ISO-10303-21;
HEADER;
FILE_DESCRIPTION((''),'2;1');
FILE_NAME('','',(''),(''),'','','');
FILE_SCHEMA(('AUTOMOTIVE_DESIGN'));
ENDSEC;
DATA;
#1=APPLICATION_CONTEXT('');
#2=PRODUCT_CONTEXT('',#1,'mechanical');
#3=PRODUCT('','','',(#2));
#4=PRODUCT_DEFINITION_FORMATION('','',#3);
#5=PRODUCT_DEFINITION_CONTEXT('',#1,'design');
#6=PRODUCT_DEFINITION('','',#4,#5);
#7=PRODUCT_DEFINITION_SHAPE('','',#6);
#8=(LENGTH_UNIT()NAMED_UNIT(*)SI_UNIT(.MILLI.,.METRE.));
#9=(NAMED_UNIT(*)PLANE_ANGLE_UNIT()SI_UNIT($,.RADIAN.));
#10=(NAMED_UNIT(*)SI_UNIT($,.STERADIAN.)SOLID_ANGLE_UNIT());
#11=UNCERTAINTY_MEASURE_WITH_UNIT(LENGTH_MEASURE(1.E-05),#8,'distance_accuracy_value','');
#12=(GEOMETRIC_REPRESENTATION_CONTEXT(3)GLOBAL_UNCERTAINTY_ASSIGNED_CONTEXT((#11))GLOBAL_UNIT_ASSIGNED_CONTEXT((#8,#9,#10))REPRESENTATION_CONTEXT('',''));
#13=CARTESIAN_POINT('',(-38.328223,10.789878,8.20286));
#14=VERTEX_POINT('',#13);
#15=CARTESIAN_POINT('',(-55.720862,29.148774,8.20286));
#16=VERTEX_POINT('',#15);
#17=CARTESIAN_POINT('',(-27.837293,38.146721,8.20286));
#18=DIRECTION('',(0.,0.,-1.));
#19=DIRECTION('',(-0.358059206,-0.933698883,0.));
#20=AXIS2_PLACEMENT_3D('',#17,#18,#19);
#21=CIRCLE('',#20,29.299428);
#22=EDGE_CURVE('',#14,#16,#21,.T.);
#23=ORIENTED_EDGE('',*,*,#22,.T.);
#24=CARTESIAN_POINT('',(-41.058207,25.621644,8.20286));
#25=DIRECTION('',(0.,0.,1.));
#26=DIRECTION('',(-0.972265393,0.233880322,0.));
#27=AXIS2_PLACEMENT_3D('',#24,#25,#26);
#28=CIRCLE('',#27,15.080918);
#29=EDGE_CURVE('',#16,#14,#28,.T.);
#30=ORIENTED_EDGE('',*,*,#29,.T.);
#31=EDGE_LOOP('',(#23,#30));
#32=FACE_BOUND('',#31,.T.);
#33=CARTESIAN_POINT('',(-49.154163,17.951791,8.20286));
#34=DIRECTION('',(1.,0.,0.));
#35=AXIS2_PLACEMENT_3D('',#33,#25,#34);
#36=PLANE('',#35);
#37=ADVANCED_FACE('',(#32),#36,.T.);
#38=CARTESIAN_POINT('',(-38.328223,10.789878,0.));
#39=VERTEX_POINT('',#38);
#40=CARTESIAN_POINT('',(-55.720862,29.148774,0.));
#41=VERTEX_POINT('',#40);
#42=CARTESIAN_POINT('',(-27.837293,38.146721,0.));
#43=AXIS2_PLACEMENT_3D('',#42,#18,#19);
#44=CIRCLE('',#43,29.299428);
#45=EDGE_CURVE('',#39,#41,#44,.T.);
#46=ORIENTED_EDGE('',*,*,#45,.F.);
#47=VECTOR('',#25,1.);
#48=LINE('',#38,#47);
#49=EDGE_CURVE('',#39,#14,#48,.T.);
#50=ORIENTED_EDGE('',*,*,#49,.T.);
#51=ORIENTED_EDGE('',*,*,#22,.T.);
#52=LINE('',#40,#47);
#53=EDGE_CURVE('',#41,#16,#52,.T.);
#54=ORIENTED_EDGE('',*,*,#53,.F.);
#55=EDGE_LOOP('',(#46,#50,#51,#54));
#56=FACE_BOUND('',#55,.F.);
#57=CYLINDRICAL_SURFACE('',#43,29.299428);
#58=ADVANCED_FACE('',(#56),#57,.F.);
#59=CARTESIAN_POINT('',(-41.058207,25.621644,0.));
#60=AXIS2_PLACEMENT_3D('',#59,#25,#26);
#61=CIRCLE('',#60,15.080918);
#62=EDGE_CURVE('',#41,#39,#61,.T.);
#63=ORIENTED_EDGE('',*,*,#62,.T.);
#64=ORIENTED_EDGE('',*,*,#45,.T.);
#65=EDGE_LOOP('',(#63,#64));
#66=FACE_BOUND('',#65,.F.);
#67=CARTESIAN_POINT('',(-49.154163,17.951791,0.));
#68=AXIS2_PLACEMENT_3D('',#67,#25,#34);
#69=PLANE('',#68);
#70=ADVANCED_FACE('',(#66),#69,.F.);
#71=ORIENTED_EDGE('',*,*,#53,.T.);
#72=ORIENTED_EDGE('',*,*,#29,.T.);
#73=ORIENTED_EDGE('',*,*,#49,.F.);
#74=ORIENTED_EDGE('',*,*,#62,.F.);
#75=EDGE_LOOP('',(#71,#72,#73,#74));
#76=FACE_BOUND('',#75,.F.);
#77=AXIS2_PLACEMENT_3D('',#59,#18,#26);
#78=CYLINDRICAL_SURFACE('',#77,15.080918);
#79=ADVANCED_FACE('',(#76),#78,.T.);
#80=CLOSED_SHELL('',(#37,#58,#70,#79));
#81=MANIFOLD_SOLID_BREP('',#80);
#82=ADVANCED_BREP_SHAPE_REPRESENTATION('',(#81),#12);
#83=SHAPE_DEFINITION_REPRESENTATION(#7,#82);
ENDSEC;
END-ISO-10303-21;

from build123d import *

# Parameters (mm, degrees)
F1_DEPTH = 8.20286


with BuildPart() as f1:
    # F0 (on Top) → F1 (new body)
    with BuildSketch(Plane.XY):
        with BuildLine():
            ThreePointArc((-38.328223, 10.789878), (-49.107291, 17.996196), (-55.720862, 29.148774))
            ThreePointArc((-55.720862, 29.148774), (-52.00624, 15.249823), (-38.328223, 10.789878))
        make_face()
    extrude(amount=F1_DEPTH)


solid = f1.part
